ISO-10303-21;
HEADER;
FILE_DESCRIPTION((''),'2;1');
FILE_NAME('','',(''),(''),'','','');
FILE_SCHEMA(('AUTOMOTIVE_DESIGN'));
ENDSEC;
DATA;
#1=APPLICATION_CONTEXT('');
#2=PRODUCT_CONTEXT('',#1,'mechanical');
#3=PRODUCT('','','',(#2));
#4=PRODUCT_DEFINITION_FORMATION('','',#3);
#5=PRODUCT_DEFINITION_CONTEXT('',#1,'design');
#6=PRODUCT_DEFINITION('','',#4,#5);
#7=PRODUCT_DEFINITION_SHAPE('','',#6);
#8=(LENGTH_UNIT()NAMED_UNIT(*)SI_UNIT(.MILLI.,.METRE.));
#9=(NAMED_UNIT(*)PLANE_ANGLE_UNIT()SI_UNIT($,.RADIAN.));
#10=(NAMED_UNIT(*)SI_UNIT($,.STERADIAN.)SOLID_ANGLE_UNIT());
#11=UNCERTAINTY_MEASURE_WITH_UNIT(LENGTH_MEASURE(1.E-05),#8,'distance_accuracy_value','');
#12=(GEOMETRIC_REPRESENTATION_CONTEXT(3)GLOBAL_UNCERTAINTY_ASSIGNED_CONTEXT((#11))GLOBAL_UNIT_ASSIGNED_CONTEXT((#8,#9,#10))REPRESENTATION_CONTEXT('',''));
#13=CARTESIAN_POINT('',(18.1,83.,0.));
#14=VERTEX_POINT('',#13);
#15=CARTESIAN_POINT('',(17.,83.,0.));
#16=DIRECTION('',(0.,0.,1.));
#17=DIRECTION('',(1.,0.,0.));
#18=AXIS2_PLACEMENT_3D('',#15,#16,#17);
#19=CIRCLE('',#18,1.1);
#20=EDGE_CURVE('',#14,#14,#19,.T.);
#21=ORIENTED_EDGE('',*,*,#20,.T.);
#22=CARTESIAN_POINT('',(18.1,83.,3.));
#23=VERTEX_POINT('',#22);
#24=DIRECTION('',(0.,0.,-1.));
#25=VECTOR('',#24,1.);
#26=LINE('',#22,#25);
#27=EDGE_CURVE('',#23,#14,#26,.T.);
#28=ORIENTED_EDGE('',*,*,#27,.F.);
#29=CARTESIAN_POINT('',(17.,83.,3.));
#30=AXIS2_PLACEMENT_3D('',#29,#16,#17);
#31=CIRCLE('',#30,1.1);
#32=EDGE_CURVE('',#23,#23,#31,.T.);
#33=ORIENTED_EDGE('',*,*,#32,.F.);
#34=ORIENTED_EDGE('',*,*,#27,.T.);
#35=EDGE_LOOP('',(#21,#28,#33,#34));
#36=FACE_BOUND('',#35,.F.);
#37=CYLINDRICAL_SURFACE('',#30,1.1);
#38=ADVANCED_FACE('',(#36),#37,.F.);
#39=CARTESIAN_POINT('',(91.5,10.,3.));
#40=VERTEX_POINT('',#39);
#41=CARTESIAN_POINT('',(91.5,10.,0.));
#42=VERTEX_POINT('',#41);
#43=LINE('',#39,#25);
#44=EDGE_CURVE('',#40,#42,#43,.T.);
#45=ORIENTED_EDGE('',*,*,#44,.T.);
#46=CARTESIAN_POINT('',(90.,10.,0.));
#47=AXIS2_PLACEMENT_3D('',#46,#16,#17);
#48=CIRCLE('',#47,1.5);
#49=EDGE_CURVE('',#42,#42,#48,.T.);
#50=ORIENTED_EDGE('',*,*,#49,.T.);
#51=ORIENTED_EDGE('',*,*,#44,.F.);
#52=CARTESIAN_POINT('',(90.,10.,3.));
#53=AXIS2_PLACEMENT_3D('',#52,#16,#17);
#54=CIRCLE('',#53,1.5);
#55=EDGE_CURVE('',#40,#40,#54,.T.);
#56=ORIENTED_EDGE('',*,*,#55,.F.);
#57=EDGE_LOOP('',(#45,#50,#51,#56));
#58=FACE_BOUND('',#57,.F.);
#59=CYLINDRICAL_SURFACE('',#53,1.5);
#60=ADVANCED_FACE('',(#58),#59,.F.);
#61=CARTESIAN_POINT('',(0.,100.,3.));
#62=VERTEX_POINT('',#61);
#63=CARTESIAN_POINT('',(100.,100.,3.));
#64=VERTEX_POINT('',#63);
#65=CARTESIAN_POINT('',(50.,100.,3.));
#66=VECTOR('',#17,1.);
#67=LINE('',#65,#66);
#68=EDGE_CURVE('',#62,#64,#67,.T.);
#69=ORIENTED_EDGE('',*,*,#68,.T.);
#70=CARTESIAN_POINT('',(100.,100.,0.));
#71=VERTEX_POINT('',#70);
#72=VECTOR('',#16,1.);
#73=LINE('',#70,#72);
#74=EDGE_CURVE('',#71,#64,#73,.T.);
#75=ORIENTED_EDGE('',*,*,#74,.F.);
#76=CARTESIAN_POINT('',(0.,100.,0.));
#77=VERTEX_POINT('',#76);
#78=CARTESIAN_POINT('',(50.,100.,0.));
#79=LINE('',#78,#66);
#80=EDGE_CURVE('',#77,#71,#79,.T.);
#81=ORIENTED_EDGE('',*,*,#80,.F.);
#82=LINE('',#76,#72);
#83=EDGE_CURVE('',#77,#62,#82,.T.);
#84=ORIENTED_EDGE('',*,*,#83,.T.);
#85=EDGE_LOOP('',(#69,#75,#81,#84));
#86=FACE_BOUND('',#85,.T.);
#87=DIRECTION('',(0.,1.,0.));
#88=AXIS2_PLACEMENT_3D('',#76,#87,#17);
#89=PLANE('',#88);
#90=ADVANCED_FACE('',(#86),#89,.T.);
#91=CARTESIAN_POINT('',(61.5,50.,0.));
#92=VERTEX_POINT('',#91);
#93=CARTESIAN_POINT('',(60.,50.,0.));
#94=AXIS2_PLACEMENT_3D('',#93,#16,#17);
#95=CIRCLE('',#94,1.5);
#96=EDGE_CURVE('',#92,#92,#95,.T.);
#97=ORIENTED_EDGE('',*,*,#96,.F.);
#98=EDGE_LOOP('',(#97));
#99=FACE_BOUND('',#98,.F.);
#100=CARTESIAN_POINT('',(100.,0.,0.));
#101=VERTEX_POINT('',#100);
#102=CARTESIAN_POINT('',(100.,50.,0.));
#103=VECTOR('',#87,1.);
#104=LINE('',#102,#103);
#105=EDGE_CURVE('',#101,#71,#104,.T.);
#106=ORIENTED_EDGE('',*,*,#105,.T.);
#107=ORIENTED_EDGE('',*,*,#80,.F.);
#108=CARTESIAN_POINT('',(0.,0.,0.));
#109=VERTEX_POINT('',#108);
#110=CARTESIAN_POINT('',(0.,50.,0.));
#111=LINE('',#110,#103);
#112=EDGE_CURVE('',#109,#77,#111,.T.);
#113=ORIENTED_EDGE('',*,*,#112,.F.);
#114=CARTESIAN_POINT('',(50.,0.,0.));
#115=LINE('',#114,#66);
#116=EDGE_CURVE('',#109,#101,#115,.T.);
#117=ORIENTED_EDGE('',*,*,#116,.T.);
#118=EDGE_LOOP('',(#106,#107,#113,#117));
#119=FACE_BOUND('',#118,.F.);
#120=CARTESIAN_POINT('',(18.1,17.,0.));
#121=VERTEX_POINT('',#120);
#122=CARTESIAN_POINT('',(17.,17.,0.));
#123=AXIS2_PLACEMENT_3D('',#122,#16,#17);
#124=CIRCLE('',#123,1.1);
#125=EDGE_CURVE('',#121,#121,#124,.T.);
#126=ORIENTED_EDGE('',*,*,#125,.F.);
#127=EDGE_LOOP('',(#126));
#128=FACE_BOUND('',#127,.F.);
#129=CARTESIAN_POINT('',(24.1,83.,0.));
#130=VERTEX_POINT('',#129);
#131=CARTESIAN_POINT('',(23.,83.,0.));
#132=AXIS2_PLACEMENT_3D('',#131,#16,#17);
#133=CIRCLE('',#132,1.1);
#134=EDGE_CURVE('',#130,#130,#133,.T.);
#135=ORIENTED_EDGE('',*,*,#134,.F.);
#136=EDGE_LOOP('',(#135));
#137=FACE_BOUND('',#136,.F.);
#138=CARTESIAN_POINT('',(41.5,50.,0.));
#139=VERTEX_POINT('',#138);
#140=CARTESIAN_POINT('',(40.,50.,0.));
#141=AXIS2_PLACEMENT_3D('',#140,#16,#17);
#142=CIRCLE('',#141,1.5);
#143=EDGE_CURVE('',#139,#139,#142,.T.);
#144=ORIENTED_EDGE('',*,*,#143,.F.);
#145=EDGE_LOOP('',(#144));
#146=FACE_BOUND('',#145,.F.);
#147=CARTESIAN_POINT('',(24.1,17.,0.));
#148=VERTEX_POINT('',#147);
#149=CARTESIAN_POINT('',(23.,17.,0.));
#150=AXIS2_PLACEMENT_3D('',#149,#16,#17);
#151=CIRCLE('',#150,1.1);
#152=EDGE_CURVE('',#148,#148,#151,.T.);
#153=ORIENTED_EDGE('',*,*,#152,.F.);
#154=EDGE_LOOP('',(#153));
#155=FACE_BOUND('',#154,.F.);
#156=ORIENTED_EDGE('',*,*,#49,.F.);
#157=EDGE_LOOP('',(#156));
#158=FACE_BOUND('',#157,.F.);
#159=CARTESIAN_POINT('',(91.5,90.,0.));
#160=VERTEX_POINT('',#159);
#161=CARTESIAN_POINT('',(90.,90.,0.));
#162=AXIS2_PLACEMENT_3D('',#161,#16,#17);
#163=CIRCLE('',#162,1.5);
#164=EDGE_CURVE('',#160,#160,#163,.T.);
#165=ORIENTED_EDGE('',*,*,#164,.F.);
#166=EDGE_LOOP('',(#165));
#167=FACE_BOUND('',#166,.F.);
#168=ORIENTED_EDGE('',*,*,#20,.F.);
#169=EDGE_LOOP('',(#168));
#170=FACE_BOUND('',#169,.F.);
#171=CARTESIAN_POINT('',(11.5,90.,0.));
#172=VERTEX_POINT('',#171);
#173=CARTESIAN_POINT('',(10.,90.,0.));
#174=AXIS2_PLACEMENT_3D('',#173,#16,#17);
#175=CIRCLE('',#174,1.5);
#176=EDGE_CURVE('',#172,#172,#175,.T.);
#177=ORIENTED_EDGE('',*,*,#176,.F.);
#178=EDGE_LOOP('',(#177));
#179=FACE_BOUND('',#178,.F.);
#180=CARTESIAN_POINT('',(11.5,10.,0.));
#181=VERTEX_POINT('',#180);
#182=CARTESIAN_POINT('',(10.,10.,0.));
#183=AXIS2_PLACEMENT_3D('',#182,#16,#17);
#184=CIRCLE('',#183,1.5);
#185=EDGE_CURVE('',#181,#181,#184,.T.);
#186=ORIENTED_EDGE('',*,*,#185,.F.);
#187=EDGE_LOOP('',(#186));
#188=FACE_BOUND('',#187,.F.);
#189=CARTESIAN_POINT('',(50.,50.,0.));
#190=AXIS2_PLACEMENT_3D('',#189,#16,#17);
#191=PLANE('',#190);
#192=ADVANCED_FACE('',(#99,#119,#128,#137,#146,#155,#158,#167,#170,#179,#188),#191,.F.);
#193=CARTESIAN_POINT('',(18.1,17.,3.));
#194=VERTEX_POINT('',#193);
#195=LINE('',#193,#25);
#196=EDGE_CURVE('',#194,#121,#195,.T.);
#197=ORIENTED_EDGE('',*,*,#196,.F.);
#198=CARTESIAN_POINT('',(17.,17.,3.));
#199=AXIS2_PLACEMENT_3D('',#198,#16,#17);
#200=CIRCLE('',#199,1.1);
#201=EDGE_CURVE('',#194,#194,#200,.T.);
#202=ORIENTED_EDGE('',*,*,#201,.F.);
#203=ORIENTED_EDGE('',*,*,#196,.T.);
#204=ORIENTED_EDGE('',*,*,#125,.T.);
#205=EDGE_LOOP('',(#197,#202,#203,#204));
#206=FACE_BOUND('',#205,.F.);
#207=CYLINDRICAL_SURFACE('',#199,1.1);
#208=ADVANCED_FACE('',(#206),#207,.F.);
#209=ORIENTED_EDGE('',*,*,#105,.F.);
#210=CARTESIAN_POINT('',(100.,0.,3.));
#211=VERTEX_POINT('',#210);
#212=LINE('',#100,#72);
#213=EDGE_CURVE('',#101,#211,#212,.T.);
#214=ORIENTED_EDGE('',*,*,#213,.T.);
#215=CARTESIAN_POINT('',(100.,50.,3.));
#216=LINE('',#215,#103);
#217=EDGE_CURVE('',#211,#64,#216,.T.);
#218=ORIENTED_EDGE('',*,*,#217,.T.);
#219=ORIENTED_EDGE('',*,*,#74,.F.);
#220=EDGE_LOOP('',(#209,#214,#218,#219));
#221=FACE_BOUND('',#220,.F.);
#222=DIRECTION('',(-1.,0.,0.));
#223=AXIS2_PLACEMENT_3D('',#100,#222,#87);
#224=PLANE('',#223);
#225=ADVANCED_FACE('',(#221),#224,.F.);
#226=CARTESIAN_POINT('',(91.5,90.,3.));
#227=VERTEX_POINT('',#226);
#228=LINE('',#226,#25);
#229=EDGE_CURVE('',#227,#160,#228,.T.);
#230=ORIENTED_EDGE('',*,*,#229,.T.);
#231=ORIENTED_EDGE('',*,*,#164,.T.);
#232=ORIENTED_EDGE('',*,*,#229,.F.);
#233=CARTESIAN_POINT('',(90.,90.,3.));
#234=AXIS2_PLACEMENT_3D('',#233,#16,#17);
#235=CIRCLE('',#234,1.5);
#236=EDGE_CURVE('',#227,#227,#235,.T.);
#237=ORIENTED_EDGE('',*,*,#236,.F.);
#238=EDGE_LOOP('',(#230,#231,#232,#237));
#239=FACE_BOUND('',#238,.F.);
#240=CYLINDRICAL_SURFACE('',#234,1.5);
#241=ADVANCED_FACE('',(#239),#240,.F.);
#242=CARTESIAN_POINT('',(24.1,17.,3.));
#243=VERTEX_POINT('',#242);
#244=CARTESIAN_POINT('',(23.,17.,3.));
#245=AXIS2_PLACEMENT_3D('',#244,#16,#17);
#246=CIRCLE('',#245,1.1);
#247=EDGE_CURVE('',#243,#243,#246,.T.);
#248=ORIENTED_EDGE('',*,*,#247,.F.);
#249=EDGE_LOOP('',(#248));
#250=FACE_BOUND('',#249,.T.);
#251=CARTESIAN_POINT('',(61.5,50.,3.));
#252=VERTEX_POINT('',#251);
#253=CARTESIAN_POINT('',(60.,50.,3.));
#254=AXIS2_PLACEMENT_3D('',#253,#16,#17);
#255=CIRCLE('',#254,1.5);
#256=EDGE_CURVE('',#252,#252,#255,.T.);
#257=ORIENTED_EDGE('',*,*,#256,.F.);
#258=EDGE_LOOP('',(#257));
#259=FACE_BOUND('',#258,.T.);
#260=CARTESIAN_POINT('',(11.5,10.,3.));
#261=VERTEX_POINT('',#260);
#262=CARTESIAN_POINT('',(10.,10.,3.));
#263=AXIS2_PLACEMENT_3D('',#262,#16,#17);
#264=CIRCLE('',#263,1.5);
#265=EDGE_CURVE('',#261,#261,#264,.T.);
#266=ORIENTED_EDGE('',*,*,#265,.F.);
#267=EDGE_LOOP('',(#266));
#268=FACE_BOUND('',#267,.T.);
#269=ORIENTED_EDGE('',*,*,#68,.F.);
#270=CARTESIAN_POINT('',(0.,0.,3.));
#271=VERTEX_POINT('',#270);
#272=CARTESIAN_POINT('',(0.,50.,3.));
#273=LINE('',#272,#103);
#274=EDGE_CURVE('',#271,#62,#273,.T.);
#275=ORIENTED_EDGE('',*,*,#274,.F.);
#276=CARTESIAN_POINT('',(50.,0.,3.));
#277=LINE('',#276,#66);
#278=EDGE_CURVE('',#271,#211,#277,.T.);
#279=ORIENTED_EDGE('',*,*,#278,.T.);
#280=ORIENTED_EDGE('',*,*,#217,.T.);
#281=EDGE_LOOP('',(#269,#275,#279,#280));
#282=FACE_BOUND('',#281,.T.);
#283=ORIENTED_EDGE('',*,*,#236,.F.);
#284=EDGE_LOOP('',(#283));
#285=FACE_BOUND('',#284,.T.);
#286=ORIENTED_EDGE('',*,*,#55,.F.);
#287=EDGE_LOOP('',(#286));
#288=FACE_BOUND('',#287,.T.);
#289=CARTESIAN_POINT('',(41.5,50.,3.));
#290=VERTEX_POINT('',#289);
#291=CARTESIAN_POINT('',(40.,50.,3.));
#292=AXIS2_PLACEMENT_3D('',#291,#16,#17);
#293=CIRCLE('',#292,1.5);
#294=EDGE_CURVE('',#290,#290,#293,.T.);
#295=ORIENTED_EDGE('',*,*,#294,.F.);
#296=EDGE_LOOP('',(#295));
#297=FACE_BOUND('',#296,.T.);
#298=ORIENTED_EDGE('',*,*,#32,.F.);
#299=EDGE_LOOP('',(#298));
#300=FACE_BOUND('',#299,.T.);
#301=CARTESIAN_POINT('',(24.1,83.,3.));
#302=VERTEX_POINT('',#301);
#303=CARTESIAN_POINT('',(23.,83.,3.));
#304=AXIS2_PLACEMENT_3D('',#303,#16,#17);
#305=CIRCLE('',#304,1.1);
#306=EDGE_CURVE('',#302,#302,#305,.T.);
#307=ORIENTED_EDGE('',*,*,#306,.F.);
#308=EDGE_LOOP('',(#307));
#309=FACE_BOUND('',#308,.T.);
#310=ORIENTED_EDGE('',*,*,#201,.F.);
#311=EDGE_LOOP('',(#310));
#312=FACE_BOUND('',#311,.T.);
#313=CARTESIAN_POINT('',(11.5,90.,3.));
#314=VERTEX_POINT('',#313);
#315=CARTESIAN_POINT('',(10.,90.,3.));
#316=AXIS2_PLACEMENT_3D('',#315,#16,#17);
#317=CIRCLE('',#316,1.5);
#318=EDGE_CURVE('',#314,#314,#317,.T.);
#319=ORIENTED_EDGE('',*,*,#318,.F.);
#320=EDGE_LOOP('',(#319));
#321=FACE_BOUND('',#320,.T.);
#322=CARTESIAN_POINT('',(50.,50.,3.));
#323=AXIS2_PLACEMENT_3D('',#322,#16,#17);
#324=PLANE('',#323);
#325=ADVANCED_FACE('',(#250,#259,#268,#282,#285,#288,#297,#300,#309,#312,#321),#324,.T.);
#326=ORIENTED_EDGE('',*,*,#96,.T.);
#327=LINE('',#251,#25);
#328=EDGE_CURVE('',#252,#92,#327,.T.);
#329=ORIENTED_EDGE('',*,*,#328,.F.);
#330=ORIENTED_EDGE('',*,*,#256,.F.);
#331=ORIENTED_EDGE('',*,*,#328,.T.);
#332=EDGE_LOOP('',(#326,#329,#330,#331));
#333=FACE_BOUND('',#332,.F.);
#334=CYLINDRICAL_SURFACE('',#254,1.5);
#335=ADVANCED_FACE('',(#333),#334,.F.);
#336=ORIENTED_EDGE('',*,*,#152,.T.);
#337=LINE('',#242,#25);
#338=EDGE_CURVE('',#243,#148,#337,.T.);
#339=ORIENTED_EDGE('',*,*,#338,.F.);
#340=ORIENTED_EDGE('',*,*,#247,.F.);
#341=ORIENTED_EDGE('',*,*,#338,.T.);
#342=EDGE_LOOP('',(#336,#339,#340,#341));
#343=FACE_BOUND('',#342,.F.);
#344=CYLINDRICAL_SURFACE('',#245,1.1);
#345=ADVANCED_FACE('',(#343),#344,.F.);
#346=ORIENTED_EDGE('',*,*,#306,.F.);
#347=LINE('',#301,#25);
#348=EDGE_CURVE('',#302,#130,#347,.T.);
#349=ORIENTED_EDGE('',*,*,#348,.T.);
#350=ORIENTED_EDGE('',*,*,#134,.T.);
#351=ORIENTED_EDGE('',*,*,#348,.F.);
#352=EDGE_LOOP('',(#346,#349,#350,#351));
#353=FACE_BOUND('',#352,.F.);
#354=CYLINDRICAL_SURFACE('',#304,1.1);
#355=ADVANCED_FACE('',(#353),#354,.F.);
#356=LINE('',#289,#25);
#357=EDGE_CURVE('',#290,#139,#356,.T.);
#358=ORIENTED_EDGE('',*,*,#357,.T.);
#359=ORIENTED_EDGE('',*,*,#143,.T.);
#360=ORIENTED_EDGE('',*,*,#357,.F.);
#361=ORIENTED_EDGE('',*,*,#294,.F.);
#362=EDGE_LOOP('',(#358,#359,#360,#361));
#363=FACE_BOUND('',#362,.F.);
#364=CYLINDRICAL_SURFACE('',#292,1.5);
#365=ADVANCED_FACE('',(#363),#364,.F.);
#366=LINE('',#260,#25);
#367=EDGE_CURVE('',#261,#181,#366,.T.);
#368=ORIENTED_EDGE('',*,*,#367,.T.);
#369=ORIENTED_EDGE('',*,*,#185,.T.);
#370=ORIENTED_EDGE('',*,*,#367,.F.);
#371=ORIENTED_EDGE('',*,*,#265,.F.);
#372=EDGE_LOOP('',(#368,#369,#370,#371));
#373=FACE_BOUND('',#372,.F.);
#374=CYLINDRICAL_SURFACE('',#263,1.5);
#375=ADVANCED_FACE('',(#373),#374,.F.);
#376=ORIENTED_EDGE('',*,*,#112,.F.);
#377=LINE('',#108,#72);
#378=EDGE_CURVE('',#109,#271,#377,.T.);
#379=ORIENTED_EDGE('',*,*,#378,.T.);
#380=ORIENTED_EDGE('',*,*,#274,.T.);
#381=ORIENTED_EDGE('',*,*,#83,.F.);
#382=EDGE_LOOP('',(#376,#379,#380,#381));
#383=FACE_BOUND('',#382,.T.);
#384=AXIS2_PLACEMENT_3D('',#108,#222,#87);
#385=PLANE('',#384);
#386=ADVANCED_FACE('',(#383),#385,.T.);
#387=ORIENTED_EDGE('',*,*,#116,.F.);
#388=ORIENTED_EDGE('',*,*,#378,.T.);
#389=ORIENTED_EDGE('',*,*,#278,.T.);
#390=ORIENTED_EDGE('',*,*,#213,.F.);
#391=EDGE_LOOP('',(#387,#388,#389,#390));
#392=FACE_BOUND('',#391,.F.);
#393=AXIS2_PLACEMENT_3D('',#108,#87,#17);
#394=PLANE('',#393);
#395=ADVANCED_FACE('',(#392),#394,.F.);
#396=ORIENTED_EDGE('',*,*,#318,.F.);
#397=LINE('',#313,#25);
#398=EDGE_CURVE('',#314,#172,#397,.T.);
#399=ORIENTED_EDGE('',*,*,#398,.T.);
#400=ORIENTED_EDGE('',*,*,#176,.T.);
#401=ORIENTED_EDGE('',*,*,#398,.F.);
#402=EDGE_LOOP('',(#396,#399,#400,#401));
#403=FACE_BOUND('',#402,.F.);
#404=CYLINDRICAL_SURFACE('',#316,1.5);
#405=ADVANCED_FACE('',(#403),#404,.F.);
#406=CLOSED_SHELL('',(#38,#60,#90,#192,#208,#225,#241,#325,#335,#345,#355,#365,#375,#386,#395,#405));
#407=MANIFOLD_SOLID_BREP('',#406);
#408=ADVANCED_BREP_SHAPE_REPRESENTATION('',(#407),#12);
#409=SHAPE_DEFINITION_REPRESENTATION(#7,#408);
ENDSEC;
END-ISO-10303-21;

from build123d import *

# Parameters (mm, degrees)
F0_W     = 100
F0_H     = 100
F1_DEPTH = 3
F2_R     = 1.5
F3_DEPTH = 3.001
F4_R     = 1.1
F5_DEPTH = 3.001
F6_R     = 1.5
F7_DEPTH = 3.001


with BuildPart() as f1:
    # F0 (on Top) → F1 (new body)
    with BuildSketch(Plane.XY):
        with Locations((50, 50)):
            Rectangle(F0_W, F0_H)
    extrude(amount=F1_DEPTH)

    # F2 (on face) → F3 (cut, through all)
    with BuildSketch(Plane.XY.offset(3)):
        with Locations((10, 90)):
            Circle(F2_R)
        with Locations((90, 90)):
            Circle(F2_R)
        with Locations((90, 10)):
            Circle(F2_R)
        with Locations((10, 10)):
            Circle(F2_R)
    extrude(amount=-F3_DEPTH, mode=Mode.SUBTRACT)

    # F4 (on face) → F5 (cut, through all)
    with BuildSketch(Plane.XY.offset(3)):
        with Locations((17, 83)):
            Circle(F4_R)
        with Locations((23, 83)):
            Circle(F4_R)
        with Locations((17, 17)):
            Circle(F4_R)
        with Locations((23, 17)):
            Circle(F4_R)
    extrude(amount=-F5_DEPTH, mode=Mode.SUBTRACT)

    # F6 (on face) → F7 (cut, through all)
    with BuildSketch(Plane.XY.offset(3)):
        with Locations((40, 50)):
            Circle(F6_R)
        with Locations((60, 50)):
            Circle(F6_R)
    extrude(amount=-F7_DEPTH, mode=Mode.SUBTRACT)


solid = f1.part
